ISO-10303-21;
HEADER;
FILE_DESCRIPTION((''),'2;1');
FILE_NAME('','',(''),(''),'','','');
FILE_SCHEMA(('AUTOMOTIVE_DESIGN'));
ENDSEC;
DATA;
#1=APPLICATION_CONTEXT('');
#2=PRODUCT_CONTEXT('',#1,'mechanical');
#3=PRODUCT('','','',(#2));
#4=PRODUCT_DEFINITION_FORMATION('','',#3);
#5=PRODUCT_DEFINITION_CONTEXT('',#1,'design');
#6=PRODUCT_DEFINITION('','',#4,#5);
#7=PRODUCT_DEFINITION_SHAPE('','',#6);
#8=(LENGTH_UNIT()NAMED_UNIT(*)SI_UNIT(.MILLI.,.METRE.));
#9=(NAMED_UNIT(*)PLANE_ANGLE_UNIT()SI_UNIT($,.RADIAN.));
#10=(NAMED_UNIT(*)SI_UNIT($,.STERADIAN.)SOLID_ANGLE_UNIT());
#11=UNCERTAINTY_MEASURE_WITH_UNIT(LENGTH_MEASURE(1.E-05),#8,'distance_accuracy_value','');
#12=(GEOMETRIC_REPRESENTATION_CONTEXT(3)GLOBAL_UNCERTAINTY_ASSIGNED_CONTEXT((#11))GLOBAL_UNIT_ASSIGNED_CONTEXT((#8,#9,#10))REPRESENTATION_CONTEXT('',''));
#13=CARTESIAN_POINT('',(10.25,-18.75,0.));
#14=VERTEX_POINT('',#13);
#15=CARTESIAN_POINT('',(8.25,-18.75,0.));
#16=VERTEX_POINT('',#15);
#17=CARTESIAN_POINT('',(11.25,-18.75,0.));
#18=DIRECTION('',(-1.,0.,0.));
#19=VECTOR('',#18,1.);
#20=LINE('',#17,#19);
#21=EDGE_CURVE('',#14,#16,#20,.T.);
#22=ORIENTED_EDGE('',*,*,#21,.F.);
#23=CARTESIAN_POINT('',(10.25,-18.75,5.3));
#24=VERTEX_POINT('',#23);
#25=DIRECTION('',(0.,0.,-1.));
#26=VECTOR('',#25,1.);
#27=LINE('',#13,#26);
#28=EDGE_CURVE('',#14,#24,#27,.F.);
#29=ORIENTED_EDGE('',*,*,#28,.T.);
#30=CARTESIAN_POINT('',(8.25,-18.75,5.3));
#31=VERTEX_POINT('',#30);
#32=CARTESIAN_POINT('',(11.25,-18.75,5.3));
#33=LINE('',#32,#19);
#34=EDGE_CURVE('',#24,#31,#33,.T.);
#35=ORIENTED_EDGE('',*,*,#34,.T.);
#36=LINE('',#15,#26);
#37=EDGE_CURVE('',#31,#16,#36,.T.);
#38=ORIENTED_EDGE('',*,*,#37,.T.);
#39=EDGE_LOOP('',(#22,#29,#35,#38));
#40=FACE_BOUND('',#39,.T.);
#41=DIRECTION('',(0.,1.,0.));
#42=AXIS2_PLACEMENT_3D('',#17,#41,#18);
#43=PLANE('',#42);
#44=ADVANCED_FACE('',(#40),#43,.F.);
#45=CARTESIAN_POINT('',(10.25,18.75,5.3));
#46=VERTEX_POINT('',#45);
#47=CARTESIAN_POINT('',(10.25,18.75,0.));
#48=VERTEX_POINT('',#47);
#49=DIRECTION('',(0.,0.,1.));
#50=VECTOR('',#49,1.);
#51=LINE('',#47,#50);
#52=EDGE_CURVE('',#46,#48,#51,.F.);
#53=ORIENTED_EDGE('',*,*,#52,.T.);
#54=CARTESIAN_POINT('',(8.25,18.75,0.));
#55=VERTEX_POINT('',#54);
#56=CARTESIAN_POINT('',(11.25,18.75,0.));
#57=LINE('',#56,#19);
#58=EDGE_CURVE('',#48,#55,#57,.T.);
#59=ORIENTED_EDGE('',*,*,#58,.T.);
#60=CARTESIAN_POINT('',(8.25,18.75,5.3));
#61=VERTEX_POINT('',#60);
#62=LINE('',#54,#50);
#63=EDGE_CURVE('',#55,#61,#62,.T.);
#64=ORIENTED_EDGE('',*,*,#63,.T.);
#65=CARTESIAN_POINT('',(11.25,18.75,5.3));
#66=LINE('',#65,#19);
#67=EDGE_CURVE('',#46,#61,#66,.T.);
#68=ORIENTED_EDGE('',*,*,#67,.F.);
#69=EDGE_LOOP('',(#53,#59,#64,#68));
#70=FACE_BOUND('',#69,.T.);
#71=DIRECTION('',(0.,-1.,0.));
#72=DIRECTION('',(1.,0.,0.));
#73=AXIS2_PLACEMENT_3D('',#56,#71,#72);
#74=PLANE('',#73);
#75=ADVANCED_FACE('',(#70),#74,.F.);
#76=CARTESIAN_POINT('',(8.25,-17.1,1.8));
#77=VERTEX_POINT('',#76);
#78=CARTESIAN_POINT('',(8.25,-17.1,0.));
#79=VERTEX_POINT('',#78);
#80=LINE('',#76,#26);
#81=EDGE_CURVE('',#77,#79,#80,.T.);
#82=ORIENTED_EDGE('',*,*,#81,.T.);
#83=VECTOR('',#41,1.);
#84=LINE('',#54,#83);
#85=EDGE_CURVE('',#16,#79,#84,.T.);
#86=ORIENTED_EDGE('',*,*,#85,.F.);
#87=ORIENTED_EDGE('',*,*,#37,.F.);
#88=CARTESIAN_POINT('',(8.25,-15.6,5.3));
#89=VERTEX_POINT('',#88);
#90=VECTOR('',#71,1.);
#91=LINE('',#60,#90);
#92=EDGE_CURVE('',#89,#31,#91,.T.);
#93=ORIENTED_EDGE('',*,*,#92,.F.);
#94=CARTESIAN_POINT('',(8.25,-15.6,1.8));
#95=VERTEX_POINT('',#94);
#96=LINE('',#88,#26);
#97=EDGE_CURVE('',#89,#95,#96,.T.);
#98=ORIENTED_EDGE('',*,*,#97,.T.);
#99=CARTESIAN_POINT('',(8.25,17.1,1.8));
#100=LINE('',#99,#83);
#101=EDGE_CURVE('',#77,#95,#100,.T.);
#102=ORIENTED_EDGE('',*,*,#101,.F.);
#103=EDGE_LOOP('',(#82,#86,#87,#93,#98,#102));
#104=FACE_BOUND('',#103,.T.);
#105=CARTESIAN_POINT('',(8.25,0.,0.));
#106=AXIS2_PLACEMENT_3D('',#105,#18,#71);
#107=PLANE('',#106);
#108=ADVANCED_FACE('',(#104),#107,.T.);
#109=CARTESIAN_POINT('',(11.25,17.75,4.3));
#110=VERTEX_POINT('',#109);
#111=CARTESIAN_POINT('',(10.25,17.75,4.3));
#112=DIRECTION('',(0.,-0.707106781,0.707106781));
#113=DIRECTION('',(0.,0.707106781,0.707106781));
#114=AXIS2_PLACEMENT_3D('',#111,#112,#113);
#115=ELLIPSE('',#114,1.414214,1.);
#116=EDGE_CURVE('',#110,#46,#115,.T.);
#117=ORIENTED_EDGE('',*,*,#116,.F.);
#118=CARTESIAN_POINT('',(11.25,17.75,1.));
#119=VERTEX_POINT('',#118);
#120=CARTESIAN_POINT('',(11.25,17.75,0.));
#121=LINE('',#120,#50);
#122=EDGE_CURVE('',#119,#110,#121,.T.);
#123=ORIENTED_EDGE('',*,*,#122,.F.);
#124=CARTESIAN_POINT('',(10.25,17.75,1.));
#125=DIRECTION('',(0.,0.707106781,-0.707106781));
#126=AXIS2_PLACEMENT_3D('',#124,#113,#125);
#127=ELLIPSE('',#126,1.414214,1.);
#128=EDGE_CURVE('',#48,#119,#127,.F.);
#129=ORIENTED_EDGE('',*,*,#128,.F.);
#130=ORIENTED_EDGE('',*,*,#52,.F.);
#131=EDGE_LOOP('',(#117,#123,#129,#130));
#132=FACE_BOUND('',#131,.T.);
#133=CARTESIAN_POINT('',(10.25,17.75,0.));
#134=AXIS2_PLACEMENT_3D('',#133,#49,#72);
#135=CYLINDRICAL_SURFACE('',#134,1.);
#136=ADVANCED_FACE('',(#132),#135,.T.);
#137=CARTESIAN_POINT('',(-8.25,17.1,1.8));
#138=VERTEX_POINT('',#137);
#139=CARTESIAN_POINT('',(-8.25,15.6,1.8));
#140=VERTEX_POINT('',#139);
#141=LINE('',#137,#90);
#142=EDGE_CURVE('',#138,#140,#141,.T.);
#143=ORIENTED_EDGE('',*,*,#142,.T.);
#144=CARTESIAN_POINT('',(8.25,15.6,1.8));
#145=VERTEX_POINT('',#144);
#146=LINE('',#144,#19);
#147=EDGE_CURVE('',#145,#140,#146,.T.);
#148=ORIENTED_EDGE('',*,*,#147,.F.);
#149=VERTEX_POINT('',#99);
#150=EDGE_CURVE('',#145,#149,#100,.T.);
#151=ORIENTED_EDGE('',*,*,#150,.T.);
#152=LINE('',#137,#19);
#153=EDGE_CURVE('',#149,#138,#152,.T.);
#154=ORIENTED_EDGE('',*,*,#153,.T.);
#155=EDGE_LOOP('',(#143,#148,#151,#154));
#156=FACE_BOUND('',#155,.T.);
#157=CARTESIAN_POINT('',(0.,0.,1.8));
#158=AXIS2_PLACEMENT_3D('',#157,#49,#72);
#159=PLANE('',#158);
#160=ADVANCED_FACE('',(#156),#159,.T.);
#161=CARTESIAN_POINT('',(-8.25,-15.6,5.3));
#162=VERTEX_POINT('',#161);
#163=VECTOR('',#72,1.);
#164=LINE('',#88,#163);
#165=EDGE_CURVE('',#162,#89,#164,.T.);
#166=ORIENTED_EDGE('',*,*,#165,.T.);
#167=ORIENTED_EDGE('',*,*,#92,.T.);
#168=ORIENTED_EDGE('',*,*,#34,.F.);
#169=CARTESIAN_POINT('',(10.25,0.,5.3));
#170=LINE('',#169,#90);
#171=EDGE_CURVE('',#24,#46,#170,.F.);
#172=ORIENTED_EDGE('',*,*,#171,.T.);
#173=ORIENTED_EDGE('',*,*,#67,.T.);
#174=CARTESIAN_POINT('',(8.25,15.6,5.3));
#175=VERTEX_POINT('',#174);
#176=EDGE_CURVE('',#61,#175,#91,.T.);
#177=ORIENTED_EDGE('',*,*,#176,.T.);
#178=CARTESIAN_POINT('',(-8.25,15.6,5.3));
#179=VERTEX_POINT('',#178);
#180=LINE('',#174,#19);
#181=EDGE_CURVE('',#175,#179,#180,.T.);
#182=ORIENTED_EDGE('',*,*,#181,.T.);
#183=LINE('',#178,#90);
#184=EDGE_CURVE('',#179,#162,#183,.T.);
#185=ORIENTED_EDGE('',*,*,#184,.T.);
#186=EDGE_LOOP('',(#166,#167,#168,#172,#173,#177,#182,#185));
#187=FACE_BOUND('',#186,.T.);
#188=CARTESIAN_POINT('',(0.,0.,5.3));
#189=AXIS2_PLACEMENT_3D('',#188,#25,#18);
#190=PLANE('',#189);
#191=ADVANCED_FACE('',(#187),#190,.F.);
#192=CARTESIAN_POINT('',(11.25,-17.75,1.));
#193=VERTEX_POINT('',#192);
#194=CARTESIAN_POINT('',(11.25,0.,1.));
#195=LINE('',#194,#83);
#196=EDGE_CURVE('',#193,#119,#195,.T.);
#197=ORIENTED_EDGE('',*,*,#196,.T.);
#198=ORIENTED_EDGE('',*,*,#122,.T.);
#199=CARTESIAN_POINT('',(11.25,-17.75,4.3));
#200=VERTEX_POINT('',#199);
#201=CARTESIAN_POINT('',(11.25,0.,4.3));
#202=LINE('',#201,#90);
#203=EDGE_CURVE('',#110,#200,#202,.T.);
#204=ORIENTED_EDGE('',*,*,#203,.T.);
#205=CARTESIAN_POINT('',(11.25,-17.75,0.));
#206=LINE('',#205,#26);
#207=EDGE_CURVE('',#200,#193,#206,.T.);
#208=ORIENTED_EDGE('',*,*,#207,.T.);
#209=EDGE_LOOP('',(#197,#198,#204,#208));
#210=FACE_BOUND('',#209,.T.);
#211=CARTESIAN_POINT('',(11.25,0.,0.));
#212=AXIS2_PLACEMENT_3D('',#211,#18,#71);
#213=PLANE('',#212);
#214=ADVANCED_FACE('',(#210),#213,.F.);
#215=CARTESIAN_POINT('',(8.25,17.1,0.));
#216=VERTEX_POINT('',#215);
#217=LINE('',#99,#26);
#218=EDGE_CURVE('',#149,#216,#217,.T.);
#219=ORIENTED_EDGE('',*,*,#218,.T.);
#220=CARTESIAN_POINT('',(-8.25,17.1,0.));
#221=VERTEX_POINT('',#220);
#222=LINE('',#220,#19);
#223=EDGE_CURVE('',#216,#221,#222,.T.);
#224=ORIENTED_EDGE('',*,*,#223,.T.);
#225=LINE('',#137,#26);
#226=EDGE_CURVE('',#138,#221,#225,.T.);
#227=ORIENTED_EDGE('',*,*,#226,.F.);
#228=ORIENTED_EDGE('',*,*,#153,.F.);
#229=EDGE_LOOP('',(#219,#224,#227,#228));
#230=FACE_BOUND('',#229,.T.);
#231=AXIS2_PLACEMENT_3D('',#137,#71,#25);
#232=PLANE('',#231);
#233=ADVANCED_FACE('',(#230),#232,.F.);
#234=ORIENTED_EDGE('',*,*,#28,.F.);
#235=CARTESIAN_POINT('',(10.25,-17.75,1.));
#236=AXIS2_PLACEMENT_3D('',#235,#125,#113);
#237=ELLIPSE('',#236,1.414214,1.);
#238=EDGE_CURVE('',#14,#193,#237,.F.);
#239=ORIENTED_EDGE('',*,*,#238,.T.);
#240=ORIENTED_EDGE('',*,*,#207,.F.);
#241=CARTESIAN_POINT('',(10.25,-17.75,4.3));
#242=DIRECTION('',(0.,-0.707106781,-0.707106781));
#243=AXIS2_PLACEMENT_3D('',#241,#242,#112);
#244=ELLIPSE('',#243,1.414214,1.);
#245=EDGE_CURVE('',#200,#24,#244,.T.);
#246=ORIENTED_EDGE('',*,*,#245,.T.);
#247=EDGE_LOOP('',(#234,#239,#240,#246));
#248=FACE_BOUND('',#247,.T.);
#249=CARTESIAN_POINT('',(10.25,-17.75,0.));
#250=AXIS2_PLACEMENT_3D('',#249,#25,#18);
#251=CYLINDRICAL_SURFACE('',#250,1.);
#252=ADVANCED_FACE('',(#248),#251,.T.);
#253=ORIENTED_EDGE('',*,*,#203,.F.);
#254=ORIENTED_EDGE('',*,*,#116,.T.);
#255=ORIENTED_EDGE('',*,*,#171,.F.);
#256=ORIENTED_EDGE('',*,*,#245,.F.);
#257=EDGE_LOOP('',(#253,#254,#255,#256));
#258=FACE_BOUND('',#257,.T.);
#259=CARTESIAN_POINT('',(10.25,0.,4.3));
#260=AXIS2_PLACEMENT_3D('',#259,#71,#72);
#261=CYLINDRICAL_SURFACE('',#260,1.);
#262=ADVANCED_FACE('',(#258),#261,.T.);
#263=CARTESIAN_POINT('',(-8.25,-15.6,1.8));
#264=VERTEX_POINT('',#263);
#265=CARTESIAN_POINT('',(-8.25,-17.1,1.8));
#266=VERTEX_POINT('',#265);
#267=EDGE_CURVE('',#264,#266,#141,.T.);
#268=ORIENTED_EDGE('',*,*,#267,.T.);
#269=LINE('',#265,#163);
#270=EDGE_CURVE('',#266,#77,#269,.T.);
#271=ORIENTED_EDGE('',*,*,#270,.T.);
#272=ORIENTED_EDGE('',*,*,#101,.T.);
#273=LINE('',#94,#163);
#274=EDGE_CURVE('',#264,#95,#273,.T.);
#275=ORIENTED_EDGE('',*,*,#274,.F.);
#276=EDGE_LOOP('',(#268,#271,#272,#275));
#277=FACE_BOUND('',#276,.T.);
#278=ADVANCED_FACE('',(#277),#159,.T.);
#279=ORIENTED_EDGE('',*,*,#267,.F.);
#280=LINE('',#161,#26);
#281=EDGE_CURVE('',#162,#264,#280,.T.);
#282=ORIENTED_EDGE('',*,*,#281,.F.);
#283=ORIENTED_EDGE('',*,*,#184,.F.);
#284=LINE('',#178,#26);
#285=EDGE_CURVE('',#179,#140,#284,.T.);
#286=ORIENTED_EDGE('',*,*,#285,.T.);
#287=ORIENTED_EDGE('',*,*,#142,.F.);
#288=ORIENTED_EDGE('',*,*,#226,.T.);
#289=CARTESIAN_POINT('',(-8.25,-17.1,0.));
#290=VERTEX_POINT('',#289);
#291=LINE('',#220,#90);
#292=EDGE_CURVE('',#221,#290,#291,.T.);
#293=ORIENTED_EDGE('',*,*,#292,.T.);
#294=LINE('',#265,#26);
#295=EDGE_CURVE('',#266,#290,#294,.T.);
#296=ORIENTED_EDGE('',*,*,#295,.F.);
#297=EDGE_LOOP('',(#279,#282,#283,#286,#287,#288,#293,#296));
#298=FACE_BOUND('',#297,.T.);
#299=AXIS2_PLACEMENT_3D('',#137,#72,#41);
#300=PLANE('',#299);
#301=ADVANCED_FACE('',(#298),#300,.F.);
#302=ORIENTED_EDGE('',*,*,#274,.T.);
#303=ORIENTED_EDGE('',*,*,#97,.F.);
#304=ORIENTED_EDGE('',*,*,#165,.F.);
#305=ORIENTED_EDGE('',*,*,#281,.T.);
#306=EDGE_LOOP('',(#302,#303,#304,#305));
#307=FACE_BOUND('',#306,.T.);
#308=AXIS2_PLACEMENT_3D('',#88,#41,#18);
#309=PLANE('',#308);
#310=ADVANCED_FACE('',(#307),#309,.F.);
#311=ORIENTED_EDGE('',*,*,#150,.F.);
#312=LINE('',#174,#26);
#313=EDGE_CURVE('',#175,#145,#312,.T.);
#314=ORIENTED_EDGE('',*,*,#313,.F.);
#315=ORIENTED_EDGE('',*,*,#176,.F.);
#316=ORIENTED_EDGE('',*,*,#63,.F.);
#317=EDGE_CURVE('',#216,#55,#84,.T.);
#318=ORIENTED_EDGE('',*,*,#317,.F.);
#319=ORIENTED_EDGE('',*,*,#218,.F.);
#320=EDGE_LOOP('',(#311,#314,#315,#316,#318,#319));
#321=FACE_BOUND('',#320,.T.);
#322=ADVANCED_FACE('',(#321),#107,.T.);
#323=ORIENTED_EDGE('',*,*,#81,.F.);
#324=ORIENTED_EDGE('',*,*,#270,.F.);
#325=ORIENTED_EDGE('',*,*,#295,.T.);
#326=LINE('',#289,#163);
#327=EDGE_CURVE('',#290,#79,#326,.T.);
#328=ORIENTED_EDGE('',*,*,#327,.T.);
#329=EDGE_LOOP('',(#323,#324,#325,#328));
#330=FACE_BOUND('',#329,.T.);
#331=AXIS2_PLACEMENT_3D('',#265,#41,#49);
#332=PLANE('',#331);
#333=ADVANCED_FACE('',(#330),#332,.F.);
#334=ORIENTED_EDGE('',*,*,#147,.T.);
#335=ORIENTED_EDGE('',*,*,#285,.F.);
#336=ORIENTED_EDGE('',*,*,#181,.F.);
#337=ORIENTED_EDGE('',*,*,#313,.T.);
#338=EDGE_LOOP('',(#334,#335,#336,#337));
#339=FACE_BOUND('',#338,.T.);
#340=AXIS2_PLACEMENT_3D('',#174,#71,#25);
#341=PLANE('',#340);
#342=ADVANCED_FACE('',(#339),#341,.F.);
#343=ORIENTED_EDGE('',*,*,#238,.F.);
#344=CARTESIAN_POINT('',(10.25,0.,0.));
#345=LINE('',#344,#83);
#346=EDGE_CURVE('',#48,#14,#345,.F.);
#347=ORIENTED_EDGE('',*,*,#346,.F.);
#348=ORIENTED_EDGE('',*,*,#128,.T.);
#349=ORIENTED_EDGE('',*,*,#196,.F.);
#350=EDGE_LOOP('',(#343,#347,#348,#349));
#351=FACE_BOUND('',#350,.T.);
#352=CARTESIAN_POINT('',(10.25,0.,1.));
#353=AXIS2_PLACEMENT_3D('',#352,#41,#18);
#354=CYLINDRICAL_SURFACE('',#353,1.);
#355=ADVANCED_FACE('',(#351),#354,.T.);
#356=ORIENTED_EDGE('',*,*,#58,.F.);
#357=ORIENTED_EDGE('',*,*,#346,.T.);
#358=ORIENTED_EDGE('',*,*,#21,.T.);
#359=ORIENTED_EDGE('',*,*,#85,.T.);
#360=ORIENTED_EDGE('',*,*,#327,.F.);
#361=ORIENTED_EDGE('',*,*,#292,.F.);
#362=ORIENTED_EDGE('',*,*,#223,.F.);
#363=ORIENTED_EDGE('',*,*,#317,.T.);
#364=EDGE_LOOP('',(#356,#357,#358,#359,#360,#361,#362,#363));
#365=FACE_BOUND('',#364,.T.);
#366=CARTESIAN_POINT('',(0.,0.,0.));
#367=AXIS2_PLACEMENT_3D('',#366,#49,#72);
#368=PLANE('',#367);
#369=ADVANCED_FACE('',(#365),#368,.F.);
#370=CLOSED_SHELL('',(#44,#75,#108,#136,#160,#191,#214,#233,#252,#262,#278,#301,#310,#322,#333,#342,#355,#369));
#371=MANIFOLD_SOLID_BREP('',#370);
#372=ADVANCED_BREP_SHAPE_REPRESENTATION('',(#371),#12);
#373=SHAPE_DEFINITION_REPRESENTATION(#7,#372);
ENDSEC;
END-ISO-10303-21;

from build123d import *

# Parameters (mm, degrees)
SKETCH1_W   = 16.5
SKETCH1_H   = 34.2
INT_2_DEPTH = 1.8
SKETCH2_W   = 16.5
SKETCH2_H   = 31.2
EXT_DEPTH   = 3.5
SKETCH3_W   = 5.3
SKETCH3_H   = 37.5
TOP_DEPTH   = 3
FILLET1_R   = 1


with BuildPart() as part:
    # Sketch1 → Int 2 (new body)
    with BuildSketch(Plane.XY):
        Rectangle(SKETCH1_W, SKETCH1_H)
    extrude(amount=INT_2_DEPTH)

    # Sketch2 → Ext (add)
    with BuildSketch(Plane.XY.offset(1.8)):
        Rectangle(SKETCH2_W, SKETCH2_H)
    extrude(amount=EXT_DEPTH)

    # Sketch3 → Top (add)
    with BuildSketch(Plane(origin=(8.25, 0, 0), x_dir=(0, 0, -1), z_dir=(1, 0, 0))):
        with Locations((-2.65, 0)):
            Rectangle(SKETCH3_W, SKETCH3_H)
    extrude(amount=TOP_DEPTH)

    # Fillet1
    fillet1_edges = [part.edges().sort_by_distance(p)[0] for p in [
        (11.25, 0, 0),
        (11.25, 18.75, 2.65),
        (11.25, 0, 5.3),
        (11.25, -18.75, 2.65),
    ]]
    fillet(fillet1_edges, radius=FILLET1_R)


solid = part.part
